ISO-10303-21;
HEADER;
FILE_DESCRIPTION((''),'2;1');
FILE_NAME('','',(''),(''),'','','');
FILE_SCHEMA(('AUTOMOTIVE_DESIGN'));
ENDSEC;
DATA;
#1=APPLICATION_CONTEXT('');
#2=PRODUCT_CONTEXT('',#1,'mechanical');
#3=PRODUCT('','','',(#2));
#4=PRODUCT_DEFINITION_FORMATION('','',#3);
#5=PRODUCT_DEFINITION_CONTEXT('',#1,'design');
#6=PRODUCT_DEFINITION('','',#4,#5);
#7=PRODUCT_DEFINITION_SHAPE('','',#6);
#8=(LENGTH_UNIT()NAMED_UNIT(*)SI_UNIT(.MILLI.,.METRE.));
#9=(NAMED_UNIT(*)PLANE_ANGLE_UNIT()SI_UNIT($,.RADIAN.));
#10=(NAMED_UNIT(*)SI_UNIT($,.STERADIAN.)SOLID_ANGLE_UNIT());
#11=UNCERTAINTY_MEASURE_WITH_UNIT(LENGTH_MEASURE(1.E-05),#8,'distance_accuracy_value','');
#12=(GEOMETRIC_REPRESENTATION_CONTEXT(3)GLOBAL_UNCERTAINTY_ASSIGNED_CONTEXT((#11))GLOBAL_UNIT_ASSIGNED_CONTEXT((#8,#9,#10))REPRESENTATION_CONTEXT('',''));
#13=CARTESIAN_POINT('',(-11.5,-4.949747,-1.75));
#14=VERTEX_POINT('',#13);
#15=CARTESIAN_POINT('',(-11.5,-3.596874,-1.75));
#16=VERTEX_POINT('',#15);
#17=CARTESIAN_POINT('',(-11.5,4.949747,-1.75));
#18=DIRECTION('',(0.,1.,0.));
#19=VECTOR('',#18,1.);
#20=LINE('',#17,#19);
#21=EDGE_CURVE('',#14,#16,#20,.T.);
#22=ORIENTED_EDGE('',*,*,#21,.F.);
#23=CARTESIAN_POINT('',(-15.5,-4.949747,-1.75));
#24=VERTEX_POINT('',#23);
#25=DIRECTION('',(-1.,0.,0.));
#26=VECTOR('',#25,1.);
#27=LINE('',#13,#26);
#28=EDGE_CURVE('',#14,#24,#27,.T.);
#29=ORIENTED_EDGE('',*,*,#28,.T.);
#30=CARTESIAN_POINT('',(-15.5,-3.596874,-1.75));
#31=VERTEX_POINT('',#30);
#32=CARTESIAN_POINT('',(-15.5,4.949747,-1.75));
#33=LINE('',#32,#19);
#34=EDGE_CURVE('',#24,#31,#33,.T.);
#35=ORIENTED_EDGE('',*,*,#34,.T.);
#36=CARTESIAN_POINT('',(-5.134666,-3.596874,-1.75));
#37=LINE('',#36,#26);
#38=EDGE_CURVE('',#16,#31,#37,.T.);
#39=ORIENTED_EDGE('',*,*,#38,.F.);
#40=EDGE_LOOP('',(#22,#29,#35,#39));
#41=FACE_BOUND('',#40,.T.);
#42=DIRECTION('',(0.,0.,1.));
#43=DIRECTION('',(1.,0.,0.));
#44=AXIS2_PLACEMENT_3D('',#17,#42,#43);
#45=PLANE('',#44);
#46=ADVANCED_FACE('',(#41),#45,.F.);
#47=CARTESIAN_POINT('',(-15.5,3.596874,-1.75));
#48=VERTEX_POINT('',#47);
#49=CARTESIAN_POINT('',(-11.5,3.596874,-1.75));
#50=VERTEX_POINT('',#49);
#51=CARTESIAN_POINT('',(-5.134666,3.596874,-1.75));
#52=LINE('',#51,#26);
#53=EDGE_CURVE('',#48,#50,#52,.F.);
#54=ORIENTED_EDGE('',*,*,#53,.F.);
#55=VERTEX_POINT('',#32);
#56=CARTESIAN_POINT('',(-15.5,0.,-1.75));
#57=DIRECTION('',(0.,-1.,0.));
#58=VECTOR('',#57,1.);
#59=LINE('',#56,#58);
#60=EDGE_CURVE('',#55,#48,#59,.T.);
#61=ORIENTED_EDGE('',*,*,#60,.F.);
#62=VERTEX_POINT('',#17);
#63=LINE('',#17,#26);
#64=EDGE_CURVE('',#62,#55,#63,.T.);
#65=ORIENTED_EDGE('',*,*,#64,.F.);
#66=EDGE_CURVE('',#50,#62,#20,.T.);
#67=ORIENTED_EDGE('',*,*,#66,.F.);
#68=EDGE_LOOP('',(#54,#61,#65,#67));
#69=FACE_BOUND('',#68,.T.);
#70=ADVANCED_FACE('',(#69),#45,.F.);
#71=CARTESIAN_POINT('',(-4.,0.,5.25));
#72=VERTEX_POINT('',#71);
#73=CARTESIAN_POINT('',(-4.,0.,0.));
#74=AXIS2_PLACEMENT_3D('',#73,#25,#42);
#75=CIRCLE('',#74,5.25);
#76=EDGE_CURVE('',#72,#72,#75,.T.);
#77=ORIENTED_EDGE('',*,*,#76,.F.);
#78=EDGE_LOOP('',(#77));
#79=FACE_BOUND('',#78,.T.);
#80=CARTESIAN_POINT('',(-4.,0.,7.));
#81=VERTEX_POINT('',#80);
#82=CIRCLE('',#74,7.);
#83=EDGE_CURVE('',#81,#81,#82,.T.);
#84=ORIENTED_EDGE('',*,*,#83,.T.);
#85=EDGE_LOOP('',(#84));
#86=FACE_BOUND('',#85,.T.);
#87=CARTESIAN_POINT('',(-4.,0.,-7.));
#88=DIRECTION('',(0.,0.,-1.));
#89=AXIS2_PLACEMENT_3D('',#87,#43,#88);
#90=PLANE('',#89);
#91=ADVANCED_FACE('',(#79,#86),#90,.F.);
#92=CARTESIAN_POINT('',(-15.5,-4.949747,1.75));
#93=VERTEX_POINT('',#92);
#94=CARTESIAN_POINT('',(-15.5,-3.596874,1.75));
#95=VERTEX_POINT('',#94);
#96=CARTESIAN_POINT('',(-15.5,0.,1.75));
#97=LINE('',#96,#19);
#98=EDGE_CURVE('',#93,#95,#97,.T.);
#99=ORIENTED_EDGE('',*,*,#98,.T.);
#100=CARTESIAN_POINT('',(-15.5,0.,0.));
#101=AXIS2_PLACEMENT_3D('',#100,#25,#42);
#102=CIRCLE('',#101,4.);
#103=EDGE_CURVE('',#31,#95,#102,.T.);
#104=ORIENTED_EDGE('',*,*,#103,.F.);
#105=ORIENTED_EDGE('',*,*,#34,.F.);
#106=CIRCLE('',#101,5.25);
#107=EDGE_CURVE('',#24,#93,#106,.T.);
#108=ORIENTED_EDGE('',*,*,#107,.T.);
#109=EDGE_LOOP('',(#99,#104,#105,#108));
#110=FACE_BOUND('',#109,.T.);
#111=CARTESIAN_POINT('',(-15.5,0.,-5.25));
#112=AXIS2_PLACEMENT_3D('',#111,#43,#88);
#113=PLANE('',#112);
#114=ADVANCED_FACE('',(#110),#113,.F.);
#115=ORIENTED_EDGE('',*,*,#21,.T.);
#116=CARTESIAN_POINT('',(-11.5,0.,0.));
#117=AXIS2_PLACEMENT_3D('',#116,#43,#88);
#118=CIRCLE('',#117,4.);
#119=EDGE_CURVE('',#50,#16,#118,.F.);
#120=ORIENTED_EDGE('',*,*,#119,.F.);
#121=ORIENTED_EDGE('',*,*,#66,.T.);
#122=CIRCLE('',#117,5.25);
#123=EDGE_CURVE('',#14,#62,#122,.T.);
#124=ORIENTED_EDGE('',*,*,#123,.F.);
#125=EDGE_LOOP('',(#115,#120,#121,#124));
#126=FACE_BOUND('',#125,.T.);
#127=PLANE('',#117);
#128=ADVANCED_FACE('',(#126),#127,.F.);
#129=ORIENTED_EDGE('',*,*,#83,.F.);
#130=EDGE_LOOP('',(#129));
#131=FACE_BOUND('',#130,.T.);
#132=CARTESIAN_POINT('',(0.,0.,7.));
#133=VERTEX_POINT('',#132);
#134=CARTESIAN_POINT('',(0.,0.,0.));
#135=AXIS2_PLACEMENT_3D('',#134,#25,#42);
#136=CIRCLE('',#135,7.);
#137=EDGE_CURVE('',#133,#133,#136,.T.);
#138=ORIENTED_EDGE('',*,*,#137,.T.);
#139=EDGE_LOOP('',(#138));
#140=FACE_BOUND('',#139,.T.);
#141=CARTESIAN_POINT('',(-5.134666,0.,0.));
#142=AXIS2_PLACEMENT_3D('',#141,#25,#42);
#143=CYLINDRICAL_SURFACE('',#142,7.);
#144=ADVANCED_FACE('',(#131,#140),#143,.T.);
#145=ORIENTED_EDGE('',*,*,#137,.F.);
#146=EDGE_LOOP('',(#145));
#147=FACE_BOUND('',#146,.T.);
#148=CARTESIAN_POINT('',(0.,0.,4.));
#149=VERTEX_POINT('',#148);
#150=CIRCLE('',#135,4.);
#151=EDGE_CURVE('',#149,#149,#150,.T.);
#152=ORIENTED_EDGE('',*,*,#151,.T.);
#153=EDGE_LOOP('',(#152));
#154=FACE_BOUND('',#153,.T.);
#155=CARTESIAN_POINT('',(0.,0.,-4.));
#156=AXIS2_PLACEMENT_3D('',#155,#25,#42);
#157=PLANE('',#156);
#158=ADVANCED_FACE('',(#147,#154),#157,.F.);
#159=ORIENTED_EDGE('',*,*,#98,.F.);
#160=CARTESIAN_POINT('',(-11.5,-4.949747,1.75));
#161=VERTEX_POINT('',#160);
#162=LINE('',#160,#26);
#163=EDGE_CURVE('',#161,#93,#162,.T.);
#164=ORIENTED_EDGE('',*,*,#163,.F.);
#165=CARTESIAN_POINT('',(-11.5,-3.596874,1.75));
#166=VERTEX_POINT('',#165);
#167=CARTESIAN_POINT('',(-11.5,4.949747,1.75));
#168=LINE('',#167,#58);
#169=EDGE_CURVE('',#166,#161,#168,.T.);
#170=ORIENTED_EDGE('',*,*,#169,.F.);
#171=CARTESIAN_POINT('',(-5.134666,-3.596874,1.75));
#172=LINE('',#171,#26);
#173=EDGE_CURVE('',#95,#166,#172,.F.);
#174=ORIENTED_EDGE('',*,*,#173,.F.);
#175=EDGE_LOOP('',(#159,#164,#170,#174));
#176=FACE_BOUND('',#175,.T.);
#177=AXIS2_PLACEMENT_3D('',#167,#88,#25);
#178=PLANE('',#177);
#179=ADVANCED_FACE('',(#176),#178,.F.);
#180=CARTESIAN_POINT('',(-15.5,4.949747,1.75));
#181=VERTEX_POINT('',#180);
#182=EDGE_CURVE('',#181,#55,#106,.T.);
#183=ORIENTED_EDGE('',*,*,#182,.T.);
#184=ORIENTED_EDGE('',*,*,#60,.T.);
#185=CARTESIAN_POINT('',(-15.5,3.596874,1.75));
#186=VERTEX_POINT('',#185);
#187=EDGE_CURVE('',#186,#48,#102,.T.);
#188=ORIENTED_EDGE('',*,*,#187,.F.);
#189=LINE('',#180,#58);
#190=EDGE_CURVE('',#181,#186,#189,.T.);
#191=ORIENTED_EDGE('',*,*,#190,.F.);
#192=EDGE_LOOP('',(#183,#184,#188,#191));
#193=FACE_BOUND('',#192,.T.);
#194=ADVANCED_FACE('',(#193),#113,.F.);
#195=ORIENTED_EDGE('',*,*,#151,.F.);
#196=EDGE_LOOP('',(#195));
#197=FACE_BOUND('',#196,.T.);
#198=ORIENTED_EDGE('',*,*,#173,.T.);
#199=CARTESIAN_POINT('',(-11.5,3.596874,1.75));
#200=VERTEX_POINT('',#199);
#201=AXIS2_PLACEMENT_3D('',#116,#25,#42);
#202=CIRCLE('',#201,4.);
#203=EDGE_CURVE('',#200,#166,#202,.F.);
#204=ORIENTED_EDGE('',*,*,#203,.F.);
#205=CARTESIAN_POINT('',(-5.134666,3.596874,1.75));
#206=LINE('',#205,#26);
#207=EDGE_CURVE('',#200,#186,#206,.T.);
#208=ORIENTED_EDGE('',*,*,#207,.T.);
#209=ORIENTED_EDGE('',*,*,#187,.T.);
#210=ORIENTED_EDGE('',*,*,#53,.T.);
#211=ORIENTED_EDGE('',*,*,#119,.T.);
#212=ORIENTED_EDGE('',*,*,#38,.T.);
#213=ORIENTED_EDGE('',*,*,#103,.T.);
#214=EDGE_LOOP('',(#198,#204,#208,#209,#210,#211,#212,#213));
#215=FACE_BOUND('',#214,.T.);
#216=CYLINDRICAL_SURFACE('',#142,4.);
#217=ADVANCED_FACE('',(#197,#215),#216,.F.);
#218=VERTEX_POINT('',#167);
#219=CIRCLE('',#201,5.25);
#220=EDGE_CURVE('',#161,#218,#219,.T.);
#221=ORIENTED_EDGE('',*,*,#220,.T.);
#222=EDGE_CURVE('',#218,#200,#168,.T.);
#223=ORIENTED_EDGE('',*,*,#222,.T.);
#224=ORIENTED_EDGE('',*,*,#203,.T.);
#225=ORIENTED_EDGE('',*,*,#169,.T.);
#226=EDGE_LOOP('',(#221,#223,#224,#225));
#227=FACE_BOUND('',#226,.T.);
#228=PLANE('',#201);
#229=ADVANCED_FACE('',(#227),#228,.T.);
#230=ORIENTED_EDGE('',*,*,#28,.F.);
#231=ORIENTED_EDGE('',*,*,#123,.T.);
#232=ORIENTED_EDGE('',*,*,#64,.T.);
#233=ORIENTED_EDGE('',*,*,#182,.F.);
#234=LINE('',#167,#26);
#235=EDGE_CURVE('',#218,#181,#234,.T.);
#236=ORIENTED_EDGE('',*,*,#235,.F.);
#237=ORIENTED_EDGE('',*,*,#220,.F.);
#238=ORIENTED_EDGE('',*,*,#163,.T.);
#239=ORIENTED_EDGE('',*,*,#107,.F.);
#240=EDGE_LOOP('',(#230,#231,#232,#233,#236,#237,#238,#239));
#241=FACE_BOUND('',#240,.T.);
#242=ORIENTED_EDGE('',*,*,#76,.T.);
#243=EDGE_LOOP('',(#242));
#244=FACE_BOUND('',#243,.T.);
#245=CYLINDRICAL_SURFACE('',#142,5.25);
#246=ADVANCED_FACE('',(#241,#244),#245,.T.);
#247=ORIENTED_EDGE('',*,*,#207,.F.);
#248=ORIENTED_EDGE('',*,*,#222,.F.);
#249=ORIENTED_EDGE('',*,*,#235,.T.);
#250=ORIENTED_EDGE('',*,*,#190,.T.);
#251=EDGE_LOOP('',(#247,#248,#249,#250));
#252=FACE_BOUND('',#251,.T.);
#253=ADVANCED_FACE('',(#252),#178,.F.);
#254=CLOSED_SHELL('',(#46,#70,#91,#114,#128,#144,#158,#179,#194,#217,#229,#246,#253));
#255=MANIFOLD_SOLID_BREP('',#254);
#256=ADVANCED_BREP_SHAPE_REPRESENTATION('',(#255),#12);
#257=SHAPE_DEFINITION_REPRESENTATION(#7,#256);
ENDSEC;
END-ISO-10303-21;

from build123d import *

# Parameters (mm, degrees)
SKETCH2_W          = 3.5
SKETCH2_H          = 9.899494936
CUT_EXTRUDE1_DEPTH = 4


with BuildPart() as part:
    # Sketch1 → Revolve1 (revolve)
    with BuildSketch(Plane(origin=(0, 0, 0), x_dir=(1, 0, 0), z_dir=(0, 1, 0))):
        Polygon((0, 4), (0, 7), (-4, 7), (-4, 5.25), (-15.5, 5.25), (-15.5, 4), align=None)
    revolve(axis=Axis((-5.134665776, 0, 0), (1, 0, 0)))

    # Sketch2 → Cut-Extrude1 (cut)
    with BuildSketch(Plane.ZY.offset(15.5)):
        with Locations((-3.5, 0)):
            Rectangle(SKETCH2_W, SKETCH2_H)
        with Locations((3.5, 0)):
            Rectangle(SKETCH2_W, SKETCH2_H)
    extrude(amount=-CUT_EXTRUDE1_DEPTH, mode=Mode.SUBTRACT)


solid = part.part
